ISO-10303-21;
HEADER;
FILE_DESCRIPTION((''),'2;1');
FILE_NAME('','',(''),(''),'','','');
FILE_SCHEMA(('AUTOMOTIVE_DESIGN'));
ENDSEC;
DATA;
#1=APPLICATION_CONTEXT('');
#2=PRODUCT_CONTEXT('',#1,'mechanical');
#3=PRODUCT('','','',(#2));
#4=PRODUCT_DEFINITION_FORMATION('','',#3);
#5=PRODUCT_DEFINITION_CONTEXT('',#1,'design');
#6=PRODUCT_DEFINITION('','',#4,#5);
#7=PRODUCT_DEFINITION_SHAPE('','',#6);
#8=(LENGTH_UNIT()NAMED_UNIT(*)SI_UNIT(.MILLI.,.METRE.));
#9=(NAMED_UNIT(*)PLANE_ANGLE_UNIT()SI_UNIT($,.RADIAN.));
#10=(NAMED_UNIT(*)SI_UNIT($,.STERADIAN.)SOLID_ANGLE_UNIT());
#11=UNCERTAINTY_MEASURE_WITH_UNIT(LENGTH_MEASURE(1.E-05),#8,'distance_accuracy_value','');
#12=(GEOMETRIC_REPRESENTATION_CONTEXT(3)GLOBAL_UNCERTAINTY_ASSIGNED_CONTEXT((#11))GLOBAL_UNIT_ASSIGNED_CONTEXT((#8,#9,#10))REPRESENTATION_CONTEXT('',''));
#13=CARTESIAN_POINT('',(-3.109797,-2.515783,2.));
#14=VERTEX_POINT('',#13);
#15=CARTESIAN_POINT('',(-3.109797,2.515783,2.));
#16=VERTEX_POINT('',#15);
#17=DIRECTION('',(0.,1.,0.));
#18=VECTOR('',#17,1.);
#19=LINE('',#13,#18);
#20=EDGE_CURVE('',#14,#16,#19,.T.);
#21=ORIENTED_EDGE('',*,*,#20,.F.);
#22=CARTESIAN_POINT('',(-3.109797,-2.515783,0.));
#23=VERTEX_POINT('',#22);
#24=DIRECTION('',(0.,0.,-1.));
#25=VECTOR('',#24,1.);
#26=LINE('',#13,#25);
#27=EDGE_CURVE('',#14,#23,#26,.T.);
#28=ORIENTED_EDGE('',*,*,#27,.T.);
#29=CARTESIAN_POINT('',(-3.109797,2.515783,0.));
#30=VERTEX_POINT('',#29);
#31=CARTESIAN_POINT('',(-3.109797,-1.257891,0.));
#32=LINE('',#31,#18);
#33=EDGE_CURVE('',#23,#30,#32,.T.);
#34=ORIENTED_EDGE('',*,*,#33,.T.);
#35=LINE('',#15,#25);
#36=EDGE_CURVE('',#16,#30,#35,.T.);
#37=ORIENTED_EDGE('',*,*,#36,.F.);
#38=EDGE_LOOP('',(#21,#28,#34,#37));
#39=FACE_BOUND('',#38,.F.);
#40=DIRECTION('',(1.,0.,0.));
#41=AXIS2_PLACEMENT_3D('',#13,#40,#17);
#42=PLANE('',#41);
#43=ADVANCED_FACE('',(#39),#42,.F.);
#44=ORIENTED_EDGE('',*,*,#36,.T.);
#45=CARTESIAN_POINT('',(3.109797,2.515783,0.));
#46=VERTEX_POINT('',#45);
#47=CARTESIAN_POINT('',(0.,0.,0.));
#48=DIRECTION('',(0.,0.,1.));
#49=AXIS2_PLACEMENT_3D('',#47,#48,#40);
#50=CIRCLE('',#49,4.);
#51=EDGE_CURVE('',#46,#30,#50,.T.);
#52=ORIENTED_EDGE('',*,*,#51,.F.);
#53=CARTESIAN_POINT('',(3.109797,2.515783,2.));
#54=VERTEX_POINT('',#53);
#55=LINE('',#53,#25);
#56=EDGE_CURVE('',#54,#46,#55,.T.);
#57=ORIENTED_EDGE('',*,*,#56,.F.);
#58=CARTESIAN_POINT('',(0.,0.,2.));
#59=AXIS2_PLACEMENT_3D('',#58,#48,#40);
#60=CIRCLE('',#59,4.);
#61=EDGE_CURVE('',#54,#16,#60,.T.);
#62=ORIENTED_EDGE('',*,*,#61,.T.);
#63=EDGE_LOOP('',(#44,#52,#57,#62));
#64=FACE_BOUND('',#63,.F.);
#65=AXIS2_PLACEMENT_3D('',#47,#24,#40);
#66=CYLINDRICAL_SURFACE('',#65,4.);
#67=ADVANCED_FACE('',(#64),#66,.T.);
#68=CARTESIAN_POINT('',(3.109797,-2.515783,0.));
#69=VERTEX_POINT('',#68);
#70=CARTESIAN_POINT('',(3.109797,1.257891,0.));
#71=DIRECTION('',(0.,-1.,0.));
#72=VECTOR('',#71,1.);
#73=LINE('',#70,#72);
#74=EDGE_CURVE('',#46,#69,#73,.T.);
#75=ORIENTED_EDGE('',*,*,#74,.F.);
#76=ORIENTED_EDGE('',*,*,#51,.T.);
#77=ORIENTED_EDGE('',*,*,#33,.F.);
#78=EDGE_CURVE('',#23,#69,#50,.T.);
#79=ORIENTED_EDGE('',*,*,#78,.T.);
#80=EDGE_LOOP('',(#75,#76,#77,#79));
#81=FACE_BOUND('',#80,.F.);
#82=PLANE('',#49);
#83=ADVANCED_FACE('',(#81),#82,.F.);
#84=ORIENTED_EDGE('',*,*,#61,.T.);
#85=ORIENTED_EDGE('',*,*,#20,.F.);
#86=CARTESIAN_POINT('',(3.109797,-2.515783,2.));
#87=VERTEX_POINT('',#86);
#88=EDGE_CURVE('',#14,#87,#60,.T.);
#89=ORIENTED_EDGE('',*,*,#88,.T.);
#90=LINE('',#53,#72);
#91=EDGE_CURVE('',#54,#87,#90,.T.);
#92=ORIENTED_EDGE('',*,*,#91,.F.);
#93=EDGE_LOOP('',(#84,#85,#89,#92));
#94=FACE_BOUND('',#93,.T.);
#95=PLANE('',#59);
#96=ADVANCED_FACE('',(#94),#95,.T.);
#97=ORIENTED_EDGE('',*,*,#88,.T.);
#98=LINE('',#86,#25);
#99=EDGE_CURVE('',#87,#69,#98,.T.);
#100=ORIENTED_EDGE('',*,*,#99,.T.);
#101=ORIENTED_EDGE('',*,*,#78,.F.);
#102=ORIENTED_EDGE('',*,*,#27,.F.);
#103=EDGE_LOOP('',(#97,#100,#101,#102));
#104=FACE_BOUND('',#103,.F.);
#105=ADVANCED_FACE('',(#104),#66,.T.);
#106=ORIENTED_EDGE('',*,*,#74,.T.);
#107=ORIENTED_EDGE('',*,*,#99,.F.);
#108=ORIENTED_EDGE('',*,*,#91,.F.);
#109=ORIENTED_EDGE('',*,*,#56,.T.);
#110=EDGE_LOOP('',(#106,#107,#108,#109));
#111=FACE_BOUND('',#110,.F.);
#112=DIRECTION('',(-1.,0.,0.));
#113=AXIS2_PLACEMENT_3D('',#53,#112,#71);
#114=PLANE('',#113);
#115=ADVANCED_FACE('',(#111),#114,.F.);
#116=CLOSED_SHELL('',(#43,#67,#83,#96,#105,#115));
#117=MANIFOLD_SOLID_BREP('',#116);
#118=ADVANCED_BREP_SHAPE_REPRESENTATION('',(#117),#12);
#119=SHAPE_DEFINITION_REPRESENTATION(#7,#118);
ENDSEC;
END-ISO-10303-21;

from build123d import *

# Parameters (mm, degrees)
F0_R     = 4
F1_DEPTH = 2
F3_DEPTH = 2.001


with BuildPart() as f1:
    # F0 (on Top) → F1 (new body)
    with BuildSketch(Plane.XY):
        Circle(F0_R)
    extrude(amount=F1_DEPTH)

    # F2 (on face) → F3 (cut, through all)
    with BuildSketch(Plane.XY.offset(2)):
        with BuildLine():
            Line((-3.109797, -2.515783), (-3.109797, 2.515783))
            ThreePointArc((-3.109797, 2.515783), (-4, 0), (-3.109797, -2.515783))
        make_face()
        with BuildLine():
            ThreePointArc((4, 0), (3.770888, 1.334319), (3.109797, 2.515783))
            Line((3.109797, 2.515783), (3.109797, -2.515783))
            ThreePointArc((3.109797, -2.515783), (3.770888, -1.334319), (4, 0))
        make_face()
    extrude(amount=-F3_DEPTH, mode=Mode.SUBTRACT)


solid = f1.part
